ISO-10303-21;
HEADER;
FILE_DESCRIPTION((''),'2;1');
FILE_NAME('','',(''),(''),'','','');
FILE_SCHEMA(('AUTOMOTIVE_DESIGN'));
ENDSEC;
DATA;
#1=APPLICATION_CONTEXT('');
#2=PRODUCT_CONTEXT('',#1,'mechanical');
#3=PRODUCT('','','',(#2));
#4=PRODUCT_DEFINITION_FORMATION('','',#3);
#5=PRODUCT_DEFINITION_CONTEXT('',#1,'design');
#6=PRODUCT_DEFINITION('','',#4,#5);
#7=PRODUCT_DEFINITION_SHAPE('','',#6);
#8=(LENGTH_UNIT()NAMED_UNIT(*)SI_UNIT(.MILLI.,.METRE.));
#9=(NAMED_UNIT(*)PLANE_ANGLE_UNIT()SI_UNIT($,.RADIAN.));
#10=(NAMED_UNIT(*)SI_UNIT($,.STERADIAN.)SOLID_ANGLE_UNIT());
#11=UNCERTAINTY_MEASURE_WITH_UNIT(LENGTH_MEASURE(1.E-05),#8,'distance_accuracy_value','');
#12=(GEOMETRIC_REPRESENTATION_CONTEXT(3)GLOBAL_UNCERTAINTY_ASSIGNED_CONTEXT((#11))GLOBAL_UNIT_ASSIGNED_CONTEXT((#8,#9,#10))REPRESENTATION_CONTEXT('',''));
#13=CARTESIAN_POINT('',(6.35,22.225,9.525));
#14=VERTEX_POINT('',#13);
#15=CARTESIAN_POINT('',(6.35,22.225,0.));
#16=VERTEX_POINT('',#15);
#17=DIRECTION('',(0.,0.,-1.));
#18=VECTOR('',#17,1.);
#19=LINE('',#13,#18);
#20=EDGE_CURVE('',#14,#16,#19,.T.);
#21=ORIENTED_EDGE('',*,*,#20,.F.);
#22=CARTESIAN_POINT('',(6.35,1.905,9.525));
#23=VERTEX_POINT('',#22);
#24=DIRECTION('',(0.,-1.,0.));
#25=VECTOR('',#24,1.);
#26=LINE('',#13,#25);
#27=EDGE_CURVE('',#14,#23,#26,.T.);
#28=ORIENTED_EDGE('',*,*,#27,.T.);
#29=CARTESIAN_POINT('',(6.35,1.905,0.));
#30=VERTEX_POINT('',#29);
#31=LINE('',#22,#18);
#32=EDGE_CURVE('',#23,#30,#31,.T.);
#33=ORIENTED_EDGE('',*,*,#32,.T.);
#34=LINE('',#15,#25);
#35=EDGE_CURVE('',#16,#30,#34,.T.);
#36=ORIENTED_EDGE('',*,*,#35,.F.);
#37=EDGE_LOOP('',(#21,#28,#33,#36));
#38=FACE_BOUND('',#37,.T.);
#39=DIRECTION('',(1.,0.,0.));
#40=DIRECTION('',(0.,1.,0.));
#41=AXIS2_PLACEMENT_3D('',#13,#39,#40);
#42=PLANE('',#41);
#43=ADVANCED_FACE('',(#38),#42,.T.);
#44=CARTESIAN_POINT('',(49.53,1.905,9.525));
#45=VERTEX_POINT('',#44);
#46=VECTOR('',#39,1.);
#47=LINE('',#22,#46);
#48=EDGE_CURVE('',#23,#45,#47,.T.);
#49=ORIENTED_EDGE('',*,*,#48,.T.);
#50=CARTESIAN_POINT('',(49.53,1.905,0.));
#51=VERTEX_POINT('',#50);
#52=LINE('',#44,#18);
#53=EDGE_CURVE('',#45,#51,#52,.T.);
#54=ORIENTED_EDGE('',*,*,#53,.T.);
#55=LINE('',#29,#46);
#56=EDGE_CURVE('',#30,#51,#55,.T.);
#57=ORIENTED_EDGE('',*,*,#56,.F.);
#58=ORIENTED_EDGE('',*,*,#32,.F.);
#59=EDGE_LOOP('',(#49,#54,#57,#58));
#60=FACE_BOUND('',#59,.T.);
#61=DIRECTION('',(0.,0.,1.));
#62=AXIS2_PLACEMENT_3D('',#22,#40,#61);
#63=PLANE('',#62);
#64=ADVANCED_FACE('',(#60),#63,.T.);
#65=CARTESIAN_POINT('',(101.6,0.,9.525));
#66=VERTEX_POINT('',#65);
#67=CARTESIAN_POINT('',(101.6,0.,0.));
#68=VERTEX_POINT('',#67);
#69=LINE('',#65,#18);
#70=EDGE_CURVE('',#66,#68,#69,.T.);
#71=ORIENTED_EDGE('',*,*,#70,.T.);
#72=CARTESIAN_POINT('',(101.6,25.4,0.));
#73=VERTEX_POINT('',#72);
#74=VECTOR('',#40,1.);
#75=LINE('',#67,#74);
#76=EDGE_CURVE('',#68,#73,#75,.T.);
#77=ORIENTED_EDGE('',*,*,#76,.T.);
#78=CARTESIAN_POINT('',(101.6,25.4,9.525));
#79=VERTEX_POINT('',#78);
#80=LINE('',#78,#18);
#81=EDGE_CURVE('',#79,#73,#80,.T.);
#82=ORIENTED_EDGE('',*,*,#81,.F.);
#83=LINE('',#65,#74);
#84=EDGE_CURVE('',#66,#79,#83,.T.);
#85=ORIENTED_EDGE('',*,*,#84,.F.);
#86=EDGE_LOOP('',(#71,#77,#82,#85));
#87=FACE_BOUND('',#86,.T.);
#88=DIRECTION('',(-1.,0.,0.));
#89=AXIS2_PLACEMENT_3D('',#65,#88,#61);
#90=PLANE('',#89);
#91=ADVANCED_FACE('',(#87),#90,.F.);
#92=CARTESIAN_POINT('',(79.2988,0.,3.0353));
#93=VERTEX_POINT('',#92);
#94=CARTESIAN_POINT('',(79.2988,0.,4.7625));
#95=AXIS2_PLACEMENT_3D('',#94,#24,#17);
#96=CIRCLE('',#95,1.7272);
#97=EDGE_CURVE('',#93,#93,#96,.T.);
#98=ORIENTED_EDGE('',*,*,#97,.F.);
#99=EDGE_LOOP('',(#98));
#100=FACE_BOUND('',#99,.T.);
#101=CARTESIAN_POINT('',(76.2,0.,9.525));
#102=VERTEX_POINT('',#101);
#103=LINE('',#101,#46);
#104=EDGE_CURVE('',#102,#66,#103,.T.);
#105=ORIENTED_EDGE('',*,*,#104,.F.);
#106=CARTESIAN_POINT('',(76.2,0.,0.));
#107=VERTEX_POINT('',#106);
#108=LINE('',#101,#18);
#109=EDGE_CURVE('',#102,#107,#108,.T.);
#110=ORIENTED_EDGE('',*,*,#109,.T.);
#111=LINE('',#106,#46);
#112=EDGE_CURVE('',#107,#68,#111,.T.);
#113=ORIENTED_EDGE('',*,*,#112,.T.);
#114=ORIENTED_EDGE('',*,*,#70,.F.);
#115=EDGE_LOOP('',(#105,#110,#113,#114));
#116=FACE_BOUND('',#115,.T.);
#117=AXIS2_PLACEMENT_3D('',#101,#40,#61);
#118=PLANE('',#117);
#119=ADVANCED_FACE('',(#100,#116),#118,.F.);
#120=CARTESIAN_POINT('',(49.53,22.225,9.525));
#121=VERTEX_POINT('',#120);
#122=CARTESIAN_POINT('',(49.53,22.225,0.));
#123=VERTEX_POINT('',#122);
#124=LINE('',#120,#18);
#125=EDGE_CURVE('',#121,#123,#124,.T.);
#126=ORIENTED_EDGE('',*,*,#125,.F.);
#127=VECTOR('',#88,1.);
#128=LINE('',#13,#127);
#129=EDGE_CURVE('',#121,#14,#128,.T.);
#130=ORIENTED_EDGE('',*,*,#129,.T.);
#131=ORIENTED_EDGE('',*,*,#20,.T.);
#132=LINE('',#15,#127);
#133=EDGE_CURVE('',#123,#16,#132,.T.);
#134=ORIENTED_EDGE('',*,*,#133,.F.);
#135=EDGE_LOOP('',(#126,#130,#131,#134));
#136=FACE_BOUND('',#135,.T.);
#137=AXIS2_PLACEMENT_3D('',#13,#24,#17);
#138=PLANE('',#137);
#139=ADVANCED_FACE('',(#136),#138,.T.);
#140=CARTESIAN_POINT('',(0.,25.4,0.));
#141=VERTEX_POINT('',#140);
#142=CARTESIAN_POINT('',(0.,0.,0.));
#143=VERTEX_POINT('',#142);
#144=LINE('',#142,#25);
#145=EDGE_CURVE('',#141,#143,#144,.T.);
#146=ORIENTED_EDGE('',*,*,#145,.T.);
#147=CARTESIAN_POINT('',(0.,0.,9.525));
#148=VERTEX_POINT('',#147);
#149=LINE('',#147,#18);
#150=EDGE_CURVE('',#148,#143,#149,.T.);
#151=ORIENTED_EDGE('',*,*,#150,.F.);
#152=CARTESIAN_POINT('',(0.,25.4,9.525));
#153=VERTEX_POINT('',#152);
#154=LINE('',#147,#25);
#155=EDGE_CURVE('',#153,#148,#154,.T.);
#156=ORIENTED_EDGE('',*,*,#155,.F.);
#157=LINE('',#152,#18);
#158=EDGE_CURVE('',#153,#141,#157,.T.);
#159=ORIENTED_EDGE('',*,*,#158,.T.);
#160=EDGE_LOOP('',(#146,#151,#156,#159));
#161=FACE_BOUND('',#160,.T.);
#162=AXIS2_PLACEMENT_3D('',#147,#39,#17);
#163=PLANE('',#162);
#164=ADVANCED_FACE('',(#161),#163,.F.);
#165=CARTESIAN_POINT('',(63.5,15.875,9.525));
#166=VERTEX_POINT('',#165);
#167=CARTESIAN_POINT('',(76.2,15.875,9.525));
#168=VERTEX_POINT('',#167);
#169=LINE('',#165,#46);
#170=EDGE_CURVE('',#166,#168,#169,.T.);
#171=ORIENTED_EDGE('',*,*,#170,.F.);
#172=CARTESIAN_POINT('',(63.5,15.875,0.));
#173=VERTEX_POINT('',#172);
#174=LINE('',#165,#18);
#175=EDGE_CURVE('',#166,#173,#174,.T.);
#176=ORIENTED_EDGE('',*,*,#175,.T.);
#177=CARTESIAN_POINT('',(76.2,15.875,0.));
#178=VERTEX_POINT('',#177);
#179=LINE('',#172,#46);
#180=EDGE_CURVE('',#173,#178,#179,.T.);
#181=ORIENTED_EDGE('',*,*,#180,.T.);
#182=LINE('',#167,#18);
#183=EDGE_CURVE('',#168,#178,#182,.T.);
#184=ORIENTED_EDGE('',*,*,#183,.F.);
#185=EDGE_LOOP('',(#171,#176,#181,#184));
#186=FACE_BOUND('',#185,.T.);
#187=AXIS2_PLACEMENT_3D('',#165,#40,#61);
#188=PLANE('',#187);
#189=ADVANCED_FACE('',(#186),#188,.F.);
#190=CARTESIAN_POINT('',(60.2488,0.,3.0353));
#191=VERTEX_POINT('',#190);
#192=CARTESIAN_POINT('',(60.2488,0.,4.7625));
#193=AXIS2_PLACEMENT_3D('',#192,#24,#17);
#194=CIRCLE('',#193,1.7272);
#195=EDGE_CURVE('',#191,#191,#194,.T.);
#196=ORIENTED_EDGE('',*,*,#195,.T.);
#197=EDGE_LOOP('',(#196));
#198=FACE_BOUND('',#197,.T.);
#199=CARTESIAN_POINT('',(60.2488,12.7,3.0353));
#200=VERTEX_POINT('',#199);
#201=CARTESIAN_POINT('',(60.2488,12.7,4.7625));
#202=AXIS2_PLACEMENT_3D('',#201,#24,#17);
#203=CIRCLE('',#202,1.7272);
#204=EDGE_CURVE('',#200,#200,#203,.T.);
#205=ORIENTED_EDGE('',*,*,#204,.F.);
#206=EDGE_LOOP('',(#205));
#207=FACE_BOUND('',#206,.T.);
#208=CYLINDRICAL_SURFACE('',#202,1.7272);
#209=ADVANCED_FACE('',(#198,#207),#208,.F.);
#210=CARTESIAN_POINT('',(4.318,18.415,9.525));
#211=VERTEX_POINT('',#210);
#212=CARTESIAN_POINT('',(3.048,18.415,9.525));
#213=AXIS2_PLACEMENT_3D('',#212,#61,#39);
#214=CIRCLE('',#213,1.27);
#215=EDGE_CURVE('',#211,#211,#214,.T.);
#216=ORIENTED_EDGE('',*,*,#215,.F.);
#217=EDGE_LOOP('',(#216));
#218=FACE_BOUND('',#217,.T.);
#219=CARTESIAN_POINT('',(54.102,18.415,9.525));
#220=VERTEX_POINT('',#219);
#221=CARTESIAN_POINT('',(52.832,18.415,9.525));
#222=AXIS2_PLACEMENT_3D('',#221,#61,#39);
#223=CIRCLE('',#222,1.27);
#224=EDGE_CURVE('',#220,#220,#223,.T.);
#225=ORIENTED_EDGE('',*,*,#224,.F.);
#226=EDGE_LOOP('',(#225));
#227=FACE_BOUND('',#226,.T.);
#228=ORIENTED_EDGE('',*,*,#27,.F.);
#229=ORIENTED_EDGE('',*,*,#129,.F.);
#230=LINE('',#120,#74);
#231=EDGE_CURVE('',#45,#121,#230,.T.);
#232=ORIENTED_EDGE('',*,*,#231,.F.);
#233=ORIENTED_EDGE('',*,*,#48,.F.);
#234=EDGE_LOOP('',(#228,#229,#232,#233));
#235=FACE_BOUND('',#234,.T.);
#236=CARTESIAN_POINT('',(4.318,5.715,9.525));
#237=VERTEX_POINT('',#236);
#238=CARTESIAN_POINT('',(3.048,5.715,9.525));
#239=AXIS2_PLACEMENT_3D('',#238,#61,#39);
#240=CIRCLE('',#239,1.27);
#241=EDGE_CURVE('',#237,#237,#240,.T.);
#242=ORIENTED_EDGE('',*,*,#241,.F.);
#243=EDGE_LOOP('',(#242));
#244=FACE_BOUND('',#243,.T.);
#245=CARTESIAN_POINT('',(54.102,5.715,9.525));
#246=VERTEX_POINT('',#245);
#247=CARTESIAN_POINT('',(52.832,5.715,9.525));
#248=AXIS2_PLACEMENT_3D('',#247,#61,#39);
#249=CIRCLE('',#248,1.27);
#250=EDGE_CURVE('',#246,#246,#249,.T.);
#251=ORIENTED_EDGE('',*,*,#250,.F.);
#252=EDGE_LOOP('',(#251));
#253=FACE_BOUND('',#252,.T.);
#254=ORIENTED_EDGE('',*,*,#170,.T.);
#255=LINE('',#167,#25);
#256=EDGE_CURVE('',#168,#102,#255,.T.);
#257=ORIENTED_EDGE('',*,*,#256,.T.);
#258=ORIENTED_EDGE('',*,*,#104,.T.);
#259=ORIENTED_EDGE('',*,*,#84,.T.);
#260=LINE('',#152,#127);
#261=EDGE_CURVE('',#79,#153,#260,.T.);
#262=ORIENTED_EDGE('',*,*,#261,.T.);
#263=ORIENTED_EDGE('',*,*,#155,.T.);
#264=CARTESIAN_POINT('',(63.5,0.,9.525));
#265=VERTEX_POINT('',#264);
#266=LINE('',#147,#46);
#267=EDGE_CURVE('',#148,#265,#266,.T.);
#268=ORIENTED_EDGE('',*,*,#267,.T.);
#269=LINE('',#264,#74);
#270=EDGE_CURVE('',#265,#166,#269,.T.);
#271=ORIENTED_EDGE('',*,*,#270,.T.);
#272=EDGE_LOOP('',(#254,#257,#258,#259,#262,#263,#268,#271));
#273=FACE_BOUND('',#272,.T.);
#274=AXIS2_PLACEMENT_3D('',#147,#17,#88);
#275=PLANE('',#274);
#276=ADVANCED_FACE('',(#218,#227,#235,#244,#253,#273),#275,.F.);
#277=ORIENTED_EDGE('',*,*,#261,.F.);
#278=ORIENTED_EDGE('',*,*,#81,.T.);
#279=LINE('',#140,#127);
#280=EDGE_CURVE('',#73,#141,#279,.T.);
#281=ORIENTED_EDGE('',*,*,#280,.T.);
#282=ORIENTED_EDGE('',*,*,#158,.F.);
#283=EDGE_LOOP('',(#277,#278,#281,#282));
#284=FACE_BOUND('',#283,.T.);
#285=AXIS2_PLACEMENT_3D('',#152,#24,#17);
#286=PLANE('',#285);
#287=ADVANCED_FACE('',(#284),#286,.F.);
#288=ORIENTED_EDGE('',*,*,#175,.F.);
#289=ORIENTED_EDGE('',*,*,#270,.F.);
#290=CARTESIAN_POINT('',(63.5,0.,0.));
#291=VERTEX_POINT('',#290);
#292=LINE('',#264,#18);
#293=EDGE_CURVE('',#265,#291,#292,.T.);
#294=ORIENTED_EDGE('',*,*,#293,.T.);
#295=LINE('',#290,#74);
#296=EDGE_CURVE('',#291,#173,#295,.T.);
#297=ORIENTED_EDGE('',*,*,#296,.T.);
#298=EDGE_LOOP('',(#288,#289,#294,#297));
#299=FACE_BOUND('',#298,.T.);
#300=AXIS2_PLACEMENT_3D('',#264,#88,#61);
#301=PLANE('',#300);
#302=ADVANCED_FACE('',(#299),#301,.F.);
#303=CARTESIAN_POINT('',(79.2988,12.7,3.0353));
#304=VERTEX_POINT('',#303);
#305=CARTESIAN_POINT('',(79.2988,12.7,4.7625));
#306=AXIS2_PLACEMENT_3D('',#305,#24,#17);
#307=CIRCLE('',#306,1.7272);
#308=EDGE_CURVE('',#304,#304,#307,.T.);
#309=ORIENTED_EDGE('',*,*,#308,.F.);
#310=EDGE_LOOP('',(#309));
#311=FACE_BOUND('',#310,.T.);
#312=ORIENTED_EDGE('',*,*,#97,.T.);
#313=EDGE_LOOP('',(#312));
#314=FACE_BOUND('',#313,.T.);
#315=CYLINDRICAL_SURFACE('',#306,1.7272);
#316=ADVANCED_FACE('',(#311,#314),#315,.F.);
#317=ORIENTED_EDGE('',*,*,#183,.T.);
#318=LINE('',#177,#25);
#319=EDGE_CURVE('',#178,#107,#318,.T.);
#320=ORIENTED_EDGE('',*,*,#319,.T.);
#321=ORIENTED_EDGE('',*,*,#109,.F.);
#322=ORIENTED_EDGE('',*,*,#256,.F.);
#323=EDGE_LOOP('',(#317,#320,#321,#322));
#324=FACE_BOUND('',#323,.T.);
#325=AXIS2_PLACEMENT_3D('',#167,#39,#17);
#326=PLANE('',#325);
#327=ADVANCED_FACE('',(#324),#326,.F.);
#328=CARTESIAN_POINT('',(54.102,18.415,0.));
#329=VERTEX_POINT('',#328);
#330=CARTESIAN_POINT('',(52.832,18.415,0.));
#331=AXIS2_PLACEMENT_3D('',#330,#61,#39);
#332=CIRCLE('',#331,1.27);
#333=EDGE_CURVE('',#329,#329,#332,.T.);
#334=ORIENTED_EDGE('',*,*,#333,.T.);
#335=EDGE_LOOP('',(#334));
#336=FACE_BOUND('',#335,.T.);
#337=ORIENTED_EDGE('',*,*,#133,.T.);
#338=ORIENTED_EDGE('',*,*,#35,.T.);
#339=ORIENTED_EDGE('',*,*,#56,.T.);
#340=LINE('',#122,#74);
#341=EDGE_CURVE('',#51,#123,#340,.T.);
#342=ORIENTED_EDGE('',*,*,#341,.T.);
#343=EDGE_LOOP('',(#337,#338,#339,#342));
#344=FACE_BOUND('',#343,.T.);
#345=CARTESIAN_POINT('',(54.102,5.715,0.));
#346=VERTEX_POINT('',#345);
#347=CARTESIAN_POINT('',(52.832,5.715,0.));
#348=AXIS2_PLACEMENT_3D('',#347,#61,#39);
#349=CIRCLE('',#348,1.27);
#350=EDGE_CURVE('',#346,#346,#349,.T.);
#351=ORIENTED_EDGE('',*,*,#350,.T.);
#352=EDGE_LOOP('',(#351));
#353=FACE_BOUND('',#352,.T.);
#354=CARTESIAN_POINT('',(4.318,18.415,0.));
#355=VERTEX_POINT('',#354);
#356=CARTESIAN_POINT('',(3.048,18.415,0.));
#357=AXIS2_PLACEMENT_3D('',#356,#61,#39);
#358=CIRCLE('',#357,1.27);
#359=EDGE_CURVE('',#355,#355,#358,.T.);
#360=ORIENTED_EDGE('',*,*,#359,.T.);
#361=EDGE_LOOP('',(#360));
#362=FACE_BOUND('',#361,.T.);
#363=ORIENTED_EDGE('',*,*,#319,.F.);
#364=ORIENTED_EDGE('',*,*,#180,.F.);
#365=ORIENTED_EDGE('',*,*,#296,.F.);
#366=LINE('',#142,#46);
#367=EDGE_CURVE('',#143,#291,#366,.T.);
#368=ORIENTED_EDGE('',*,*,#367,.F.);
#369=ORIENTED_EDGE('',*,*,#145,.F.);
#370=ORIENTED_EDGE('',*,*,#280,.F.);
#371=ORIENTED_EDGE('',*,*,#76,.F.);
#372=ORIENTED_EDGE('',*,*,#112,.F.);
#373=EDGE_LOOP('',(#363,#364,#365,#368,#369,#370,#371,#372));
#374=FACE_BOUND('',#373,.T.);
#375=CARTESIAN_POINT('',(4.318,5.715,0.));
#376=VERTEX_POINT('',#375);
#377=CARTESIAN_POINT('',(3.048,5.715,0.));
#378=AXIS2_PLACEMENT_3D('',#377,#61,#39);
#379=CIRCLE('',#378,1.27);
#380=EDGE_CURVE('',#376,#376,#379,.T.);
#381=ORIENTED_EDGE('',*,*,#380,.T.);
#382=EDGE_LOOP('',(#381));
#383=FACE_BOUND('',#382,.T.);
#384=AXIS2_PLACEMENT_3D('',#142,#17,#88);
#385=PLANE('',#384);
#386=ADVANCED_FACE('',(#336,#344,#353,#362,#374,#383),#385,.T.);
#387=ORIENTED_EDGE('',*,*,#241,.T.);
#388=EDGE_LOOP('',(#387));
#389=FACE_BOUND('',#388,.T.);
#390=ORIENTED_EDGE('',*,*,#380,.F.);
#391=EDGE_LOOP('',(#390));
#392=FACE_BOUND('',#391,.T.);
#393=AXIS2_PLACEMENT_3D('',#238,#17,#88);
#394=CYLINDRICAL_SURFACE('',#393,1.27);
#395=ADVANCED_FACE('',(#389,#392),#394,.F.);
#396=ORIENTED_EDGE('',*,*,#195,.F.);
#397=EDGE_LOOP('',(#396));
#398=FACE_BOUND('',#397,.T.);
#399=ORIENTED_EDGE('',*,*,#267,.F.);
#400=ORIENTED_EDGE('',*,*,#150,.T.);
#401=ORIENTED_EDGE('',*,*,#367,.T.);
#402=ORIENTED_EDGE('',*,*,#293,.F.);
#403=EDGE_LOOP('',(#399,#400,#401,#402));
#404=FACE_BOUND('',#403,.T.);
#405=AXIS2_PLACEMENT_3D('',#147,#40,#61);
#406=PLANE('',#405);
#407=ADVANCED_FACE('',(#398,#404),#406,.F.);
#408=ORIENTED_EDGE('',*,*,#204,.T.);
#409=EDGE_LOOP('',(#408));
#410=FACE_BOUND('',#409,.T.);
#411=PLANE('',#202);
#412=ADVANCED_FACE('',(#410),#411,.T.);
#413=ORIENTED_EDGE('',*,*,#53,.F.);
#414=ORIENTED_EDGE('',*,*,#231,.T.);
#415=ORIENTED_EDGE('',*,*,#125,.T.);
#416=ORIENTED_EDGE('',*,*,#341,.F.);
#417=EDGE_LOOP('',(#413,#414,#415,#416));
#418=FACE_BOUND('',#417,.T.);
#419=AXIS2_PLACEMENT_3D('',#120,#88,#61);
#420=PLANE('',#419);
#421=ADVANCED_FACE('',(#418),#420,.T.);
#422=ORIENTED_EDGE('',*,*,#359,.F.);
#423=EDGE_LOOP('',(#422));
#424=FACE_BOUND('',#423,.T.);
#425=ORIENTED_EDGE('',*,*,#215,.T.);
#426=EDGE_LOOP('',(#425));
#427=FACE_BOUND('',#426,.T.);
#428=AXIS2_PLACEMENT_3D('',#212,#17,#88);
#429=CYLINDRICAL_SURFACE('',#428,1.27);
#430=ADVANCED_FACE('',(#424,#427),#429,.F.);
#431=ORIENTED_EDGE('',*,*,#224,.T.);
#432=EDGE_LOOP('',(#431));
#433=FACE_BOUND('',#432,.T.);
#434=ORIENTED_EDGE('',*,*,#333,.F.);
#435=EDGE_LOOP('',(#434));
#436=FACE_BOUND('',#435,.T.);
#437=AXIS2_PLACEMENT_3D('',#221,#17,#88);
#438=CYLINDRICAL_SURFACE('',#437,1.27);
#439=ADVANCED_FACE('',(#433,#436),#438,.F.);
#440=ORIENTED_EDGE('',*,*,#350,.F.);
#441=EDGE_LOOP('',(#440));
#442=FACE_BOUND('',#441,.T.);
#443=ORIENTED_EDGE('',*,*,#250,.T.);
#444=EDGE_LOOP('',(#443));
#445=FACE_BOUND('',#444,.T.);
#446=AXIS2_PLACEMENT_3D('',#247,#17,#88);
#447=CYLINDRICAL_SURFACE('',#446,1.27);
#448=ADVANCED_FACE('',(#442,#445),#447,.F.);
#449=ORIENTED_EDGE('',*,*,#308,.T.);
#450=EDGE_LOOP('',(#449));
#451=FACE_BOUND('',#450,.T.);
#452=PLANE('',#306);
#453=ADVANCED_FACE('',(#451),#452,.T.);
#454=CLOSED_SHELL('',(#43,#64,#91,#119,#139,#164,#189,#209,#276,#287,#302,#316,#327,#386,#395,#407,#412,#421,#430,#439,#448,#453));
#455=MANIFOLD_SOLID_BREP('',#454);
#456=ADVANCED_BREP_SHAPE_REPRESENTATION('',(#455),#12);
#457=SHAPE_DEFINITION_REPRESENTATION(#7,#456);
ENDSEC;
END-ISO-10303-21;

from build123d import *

# Parameters (mm, degrees)
SKETCH1_R           = 1.27
SKETCH1_W           = 43.18
SKETCH1_H           = 20.32
BOSS_EXTRUDE1_DEPTH = 9.525
SKETCH2_R           = 1.7272
CUT_EXTRUDE1_DEPTH  = 12.7


with BuildPart() as part:
    # Sketch1 → Boss-Extrude1 (new body)
    with BuildSketch(Plane.XY):
        Polygon((0, 0), (63.5, 0), (63.5, 15.875), (76.2, 15.875), (76.2, 0), (101.6, 0), (101.6, 25.4), (0, 25.4), align=None)
        with Locations((3.048, 18.415)):
            Circle(SKETCH1_R, mode=Mode.SUBTRACT)
        with Locations((3.048, 5.715)):
            Circle(SKETCH1_R, mode=Mode.SUBTRACT)
        with Locations((52.832, 18.415)):
            Circle(SKETCH1_R, mode=Mode.SUBTRACT)
        with Locations((52.832, 5.715)):
            Circle(SKETCH1_R, mode=Mode.SUBTRACT)
        with Locations((27.94, 12.065)):
            Rectangle(SKETCH1_W, SKETCH1_H, mode=Mode.SUBTRACT)
    extrude(amount=BOSS_EXTRUDE1_DEPTH)

    # Sketch2 → Cut-Extrude1 (cut)
    with BuildSketch(Plane.XZ):
        with Locations((60.2488, 4.7625)):
            Circle(SKETCH2_R)
        with Locations((79.2988, 4.7625)):
            Circle(SKETCH2_R)
    extrude(amount=-CUT_EXTRUDE1_DEPTH, mode=Mode.SUBTRACT)


solid = part.part
